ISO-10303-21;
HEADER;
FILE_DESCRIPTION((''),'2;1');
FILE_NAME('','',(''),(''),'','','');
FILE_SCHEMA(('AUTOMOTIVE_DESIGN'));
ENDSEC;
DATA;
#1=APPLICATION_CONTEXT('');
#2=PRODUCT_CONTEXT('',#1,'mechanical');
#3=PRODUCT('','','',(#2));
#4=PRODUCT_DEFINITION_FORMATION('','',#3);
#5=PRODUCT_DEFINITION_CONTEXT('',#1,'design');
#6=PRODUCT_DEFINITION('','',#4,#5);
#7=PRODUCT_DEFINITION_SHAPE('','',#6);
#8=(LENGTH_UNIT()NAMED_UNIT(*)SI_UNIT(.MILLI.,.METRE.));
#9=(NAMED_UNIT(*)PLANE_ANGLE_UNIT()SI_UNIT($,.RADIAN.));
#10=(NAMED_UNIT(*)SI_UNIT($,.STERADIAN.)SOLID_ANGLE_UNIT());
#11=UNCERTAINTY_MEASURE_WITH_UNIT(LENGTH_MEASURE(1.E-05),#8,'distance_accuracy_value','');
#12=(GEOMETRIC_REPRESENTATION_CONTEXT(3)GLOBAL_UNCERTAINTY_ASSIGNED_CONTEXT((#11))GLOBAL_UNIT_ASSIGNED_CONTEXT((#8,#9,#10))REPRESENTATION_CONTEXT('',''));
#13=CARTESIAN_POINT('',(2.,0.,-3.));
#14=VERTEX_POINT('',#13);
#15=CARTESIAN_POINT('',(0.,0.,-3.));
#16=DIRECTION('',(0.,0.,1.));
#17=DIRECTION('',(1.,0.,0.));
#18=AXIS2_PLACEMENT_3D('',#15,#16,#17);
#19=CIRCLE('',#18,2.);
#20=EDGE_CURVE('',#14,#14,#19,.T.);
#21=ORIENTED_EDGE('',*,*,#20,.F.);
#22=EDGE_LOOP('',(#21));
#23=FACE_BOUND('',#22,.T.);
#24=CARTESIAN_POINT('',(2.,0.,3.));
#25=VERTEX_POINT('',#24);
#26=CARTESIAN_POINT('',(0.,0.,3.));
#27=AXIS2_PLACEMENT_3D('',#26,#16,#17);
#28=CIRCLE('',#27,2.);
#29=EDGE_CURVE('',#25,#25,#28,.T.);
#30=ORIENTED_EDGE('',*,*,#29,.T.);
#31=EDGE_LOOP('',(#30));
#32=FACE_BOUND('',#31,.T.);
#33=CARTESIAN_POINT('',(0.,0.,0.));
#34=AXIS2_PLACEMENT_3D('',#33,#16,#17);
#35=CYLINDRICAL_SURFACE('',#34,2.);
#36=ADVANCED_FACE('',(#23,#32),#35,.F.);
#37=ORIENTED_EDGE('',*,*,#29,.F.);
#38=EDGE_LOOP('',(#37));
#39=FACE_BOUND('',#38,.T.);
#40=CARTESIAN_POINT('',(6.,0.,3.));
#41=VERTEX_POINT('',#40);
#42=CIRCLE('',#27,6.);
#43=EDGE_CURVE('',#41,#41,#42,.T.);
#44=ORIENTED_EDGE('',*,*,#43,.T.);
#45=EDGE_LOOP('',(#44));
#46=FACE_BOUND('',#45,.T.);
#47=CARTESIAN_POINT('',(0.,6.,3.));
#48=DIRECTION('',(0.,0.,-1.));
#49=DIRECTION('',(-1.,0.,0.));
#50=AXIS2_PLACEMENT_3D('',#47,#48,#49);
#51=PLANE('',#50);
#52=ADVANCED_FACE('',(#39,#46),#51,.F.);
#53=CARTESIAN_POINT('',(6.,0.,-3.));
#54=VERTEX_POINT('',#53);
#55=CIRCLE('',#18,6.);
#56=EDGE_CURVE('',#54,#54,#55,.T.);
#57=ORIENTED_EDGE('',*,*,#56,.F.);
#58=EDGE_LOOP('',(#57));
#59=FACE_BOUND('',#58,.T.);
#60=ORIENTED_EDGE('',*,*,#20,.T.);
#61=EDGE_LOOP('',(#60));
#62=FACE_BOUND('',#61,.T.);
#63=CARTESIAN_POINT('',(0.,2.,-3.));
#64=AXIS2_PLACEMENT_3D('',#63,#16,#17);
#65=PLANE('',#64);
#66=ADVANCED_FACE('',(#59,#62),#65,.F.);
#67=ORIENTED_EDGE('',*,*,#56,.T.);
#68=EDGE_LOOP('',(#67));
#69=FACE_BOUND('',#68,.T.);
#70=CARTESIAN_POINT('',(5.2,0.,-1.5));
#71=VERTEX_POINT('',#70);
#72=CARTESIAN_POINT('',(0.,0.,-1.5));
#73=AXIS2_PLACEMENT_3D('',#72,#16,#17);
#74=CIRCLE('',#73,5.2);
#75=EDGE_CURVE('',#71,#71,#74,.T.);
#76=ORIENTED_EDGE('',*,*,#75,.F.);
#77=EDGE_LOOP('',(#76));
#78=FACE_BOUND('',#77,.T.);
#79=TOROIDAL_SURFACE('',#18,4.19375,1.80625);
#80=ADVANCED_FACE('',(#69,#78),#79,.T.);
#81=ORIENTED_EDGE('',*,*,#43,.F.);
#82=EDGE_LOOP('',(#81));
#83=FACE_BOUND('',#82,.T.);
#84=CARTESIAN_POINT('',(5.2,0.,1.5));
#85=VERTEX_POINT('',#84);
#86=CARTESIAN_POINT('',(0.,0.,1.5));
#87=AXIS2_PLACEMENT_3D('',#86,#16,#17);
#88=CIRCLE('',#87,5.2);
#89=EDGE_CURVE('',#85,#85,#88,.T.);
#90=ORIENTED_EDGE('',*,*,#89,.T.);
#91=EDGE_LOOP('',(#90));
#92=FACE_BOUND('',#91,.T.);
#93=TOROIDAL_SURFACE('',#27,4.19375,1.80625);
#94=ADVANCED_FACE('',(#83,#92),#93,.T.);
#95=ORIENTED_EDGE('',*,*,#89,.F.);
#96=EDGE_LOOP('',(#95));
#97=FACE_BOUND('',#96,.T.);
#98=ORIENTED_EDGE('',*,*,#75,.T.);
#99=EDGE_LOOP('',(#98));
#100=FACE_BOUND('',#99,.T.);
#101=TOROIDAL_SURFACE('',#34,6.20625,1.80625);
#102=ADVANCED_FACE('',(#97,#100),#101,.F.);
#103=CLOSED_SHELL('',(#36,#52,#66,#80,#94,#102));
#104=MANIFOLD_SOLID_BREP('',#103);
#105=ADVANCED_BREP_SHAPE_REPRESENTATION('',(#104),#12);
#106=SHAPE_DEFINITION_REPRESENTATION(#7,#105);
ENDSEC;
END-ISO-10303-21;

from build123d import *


with BuildPart() as part:
    # Sketch1 → Revolve1 (revolve)
    with BuildSketch(Plane(origin=(0, 0, 0), x_dir=(0, 0, -1), z_dir=(1, 0, 0)), mode=Mode.PRIVATE) as revolve1_sk:
        with BuildLine():
            Line((-3, 2), (3, 2))
            Line((3, 2), (3, 6))
            ThreePointArc((3, 6), (2.15, 5.7875), (1.5, 5.2))
            ThreePointArc((1.5, 5.2), (0, 4.4), (-1.5, 5.2))
            ThreePointArc((-1.5, 5.2), (-2.15, 5.7875), (-3, 6))
            Line((-3, 6), (-3, 2))
        make_face()
    revolve(revolve1_sk.sketch.rotate(Axis((0, 0, 0), (0, 0, -1)), 90), axis=Axis((0, 0, 0), (0, 0, -1)))


solid = part.part
